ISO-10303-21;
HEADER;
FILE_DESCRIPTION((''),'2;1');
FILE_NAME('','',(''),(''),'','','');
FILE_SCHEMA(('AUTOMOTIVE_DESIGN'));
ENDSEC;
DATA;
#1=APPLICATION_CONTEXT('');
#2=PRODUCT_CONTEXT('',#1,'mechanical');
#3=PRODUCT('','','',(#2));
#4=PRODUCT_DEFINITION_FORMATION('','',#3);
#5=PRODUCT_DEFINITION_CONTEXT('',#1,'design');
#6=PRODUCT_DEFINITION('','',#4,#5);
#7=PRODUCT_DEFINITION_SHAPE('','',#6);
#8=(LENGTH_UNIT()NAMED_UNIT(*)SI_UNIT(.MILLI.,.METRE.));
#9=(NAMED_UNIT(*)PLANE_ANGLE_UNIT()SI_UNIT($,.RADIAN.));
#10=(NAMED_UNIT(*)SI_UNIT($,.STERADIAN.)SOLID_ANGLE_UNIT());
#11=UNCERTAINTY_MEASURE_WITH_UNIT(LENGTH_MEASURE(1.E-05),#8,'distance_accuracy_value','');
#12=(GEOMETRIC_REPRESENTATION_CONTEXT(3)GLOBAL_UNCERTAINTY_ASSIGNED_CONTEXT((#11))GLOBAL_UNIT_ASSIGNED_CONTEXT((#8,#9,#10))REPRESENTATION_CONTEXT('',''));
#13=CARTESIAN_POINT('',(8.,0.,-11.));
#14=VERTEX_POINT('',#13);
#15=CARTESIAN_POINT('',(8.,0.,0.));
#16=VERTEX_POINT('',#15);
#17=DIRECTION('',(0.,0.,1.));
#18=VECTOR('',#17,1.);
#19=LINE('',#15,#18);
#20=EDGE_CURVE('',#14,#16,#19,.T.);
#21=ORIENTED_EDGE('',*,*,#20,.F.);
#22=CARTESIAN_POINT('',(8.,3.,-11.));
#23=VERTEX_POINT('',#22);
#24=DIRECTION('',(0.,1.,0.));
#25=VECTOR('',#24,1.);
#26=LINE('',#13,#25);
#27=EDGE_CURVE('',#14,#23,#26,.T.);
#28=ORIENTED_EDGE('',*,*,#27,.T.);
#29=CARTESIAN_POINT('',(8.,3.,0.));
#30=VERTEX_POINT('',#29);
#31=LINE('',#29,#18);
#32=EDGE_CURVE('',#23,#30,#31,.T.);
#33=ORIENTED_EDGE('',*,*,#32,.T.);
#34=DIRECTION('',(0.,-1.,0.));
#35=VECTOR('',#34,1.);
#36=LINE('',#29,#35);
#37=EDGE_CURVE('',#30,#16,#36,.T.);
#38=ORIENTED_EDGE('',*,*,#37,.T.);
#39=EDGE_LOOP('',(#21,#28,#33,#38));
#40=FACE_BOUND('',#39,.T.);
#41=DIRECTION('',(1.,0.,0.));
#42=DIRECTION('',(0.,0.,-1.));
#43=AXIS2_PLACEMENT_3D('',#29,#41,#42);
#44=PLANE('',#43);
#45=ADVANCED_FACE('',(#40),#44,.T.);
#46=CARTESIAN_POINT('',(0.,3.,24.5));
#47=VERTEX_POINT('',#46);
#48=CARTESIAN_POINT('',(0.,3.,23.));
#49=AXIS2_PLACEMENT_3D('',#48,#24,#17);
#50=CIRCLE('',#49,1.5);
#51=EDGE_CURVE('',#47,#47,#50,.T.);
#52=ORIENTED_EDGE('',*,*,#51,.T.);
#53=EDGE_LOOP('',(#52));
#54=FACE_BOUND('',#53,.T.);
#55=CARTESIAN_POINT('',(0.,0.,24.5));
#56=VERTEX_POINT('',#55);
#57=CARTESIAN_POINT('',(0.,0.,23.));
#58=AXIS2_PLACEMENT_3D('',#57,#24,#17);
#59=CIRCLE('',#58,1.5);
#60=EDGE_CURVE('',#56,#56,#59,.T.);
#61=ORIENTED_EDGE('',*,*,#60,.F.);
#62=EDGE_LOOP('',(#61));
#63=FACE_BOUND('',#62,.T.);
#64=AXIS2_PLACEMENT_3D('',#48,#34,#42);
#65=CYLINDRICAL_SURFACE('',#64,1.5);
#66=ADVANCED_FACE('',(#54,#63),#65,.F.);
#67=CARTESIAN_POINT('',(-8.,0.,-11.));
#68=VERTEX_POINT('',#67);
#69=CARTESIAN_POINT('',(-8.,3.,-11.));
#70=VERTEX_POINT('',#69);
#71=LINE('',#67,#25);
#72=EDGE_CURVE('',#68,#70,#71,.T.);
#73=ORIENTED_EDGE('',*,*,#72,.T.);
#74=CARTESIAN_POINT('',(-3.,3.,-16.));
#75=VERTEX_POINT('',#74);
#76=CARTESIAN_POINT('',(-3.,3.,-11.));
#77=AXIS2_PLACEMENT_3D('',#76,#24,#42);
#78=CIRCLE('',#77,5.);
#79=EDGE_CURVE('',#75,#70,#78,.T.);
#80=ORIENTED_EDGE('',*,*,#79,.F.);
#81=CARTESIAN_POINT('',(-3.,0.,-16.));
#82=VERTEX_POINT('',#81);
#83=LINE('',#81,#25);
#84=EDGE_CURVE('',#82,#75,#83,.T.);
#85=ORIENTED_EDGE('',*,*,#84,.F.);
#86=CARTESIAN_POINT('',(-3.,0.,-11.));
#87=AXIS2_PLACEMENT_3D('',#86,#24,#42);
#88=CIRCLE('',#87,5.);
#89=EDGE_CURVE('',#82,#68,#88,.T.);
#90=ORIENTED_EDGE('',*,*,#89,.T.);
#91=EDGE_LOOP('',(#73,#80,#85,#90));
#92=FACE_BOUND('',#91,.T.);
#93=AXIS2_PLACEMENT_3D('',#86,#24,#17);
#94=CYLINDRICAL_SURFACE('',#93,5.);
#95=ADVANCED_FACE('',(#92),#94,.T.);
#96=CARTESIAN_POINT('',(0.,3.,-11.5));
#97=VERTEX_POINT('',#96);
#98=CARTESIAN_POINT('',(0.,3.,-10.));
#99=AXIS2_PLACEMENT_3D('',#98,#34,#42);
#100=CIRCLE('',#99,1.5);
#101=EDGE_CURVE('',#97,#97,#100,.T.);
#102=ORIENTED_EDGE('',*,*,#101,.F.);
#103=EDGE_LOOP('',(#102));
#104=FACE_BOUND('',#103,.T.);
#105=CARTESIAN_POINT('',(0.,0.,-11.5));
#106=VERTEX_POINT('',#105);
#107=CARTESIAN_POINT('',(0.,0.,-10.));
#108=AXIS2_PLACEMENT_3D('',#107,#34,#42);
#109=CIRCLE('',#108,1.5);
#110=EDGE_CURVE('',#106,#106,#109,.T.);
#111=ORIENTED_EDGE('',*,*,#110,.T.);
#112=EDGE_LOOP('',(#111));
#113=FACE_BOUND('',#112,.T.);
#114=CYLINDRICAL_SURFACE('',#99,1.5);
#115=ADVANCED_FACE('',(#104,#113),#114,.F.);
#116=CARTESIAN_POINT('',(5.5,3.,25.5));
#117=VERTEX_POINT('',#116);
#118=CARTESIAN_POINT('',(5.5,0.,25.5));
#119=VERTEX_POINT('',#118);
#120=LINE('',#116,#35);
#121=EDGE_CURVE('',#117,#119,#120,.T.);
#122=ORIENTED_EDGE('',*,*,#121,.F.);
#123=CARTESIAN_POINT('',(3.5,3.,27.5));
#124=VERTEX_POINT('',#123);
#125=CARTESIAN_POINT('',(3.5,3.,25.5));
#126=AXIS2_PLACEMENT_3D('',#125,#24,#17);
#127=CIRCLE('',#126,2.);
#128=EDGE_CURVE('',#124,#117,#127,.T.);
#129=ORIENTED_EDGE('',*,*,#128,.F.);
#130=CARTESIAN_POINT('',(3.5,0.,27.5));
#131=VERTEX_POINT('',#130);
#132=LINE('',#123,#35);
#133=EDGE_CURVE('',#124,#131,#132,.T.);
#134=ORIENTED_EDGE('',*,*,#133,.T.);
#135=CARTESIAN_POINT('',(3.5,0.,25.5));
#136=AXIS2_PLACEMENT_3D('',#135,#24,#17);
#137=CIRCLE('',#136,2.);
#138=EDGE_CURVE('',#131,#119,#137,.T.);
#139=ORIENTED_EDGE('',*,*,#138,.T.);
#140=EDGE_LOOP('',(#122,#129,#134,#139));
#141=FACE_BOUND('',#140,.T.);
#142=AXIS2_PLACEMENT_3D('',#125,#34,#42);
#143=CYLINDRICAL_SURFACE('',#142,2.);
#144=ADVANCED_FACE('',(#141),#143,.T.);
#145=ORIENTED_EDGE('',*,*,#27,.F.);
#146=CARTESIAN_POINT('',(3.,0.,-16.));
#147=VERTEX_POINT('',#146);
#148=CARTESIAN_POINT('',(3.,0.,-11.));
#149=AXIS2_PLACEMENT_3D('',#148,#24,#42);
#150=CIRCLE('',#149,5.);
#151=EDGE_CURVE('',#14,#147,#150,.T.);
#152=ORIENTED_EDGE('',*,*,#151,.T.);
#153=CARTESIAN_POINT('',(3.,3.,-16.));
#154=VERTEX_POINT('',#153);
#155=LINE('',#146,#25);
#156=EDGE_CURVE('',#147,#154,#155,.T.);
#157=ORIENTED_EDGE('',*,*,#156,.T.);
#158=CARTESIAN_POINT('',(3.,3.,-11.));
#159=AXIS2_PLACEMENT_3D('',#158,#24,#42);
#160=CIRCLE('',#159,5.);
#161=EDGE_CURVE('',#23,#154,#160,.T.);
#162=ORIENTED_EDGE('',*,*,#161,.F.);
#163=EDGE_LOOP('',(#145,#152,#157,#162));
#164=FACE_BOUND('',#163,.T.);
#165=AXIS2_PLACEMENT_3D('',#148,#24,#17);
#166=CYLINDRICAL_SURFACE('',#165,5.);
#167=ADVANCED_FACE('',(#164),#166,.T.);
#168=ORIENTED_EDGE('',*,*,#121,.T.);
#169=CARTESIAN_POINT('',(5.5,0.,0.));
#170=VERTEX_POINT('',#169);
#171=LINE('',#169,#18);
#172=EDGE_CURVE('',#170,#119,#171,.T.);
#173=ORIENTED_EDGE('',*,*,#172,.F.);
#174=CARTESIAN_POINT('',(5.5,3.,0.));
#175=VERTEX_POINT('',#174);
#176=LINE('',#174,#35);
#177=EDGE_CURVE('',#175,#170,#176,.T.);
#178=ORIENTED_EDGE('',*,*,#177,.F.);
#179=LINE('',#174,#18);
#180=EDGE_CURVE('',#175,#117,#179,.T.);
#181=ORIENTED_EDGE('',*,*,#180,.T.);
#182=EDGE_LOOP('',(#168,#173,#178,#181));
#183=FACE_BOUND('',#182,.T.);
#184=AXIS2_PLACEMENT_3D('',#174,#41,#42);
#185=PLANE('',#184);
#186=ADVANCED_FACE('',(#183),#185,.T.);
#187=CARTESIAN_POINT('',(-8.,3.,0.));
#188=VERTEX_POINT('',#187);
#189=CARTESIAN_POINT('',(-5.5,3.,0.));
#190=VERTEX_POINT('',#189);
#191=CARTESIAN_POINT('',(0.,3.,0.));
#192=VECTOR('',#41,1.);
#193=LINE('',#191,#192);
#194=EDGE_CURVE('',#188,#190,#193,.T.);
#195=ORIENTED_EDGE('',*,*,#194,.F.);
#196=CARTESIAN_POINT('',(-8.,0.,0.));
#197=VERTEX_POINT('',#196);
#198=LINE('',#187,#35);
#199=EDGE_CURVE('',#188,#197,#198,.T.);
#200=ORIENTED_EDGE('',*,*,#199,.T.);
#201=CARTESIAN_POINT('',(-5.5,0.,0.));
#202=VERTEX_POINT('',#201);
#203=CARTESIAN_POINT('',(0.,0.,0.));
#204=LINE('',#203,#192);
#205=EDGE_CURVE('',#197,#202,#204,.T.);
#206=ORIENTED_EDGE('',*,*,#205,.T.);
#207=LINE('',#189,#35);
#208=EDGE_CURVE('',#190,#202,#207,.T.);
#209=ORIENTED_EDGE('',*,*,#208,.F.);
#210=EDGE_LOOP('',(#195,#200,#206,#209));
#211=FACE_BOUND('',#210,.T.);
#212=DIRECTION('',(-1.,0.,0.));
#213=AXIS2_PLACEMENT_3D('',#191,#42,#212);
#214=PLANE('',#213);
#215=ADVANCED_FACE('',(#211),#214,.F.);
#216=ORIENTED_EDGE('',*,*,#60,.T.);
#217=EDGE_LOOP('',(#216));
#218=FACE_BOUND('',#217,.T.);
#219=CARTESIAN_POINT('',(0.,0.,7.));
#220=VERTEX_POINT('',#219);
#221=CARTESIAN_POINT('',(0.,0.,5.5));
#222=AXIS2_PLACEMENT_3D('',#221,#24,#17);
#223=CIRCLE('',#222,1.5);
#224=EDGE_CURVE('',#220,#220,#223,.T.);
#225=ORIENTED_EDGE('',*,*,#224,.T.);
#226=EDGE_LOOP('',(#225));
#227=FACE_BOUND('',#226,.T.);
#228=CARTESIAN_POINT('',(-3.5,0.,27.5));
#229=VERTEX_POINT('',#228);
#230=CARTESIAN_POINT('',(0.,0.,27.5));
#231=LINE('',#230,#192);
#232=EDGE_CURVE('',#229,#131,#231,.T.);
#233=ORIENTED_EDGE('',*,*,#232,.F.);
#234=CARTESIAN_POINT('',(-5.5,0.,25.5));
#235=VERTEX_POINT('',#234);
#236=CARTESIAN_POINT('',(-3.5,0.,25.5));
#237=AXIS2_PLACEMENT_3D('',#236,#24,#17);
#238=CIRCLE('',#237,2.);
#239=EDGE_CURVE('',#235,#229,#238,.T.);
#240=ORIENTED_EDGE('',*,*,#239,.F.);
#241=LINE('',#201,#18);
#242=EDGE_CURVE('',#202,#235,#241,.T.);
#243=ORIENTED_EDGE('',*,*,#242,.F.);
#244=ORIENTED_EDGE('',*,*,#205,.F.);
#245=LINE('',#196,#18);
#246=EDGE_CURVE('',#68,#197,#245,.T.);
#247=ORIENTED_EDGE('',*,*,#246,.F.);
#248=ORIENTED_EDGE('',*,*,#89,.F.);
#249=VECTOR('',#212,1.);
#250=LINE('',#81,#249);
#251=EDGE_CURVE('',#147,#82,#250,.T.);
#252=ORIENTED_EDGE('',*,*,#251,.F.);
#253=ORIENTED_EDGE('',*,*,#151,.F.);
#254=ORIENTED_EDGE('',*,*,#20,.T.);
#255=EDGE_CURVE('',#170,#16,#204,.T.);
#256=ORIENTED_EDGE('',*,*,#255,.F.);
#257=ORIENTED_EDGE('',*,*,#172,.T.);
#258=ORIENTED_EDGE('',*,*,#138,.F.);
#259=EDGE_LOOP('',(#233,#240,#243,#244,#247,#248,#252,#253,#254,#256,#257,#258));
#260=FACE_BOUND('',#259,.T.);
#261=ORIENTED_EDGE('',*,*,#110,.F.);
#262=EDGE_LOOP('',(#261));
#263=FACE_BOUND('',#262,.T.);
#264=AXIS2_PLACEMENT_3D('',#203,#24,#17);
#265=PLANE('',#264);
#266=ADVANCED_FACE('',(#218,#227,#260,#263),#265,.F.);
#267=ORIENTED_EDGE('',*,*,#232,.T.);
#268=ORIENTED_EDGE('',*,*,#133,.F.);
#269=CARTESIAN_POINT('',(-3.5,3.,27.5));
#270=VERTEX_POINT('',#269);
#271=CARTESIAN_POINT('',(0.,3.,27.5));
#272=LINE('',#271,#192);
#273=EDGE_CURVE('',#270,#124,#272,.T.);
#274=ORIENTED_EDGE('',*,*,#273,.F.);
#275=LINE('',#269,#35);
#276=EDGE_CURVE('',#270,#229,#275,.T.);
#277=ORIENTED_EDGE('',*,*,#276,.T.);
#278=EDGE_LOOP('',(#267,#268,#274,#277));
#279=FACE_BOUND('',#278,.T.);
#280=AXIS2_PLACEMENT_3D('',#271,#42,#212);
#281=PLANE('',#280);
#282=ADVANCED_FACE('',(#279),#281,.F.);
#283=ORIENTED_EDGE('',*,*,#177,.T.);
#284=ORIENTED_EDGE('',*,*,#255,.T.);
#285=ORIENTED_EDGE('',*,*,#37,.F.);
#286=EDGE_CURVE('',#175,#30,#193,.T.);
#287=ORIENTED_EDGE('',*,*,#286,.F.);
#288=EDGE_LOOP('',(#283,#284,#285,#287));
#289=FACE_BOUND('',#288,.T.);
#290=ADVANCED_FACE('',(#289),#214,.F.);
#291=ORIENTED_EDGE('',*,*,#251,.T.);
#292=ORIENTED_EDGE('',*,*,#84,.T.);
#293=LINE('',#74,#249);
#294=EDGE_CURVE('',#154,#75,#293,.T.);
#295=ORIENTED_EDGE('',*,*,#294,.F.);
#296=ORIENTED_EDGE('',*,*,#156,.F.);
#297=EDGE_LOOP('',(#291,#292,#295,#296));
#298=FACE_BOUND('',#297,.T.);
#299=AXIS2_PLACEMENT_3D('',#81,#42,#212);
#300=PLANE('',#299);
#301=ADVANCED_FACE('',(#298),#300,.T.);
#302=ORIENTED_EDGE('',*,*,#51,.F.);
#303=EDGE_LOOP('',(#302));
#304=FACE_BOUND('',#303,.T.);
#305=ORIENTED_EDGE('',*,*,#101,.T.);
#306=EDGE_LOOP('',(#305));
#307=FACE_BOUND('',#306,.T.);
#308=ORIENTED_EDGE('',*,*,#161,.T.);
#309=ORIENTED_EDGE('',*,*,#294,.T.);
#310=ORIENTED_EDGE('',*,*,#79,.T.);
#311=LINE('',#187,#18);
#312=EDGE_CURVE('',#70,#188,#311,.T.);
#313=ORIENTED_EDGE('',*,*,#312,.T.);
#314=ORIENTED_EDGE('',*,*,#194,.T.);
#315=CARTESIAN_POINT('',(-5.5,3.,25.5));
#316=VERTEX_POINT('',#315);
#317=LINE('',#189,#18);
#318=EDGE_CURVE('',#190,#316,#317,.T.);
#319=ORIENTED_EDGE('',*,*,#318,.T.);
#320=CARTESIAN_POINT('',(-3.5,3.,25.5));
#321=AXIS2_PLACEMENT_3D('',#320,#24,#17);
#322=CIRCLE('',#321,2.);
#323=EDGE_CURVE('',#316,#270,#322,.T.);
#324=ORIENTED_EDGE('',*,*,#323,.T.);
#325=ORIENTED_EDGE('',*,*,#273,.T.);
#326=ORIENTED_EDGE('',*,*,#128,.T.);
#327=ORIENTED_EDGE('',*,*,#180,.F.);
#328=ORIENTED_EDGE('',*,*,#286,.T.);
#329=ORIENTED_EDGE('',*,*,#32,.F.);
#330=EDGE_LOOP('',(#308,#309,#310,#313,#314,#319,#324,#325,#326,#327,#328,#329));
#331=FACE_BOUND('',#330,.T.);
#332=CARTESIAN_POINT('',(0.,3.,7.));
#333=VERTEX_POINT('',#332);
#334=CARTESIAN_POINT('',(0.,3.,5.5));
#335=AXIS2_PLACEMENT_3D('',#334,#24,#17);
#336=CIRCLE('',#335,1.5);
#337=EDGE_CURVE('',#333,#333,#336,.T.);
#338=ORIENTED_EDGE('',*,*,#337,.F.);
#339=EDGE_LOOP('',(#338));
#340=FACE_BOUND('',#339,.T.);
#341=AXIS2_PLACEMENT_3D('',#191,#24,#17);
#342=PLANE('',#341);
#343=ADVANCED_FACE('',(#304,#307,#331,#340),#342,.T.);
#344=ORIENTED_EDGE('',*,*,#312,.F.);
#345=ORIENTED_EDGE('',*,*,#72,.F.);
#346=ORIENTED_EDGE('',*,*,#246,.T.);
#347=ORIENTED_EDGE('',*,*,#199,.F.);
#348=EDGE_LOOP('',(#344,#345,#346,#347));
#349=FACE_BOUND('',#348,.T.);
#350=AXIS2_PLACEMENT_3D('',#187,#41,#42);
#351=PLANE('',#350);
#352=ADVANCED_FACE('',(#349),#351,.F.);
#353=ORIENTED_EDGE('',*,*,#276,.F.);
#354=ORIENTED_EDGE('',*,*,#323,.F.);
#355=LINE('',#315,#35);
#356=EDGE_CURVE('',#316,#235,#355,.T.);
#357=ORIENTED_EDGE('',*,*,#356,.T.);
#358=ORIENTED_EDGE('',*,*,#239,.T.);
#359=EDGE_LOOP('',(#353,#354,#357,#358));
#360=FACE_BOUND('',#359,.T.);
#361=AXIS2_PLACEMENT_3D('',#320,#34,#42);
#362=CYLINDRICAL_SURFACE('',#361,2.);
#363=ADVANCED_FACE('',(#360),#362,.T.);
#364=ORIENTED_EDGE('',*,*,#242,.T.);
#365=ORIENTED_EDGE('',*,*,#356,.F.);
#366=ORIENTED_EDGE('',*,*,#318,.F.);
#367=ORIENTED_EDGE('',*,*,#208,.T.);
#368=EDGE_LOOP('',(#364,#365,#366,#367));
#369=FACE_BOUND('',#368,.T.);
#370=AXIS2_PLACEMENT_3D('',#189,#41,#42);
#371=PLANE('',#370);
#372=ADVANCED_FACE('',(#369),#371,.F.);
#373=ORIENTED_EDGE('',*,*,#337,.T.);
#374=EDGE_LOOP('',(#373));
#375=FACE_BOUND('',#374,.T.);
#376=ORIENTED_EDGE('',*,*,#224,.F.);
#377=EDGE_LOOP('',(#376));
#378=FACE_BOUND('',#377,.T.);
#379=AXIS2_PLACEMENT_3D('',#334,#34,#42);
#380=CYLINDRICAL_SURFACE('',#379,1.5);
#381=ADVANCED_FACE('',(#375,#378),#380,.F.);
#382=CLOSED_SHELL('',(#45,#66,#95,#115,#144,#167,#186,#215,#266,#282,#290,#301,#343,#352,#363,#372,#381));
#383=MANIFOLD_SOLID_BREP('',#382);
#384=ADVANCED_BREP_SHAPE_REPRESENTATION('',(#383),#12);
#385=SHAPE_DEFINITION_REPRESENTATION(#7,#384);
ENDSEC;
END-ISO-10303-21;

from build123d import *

# Parameters (mm, degrees)
SKETCH3_R           = 1.5
BOSS_EXTRUDE1_DEPTH = 3
BOSS_EXTRUDE2_DEPTH = 3
SKETCH5_R           = 1.5
CUT_EXTRUDE1_DEPTH  = 3


with BuildPart() as part:
    # Sketch3 → Boss-Extrude1 (new body)
    # profile 1 of 2: a face of its own
    with BuildSketch(Plane(origin=(0, 0, 0), x_dir=(1, 0, 0), z_dir=(0, 1, 0))):
        with BuildLine():
            Line((-6, 5), (6, 5))
            ThreePointArc((6, 5), (7.414213562, 4.414213562), (8, 3))
            Line((8, 3), (8, 0))
            Line((8, 0), (-8, 0))
            Line((-8, 0), (-8, 3))
            ThreePointArc((-8, 3), (-7.414213562, 4.414213562), (-6, 5))
        make_face()
    # profile 2 of 2: a face of its own
    with BuildSketch(Plane(origin=(0, 0, 0), x_dir=(1, 0, 0), z_dir=(0, 1, 0))):
        with BuildLine():
            Line((-5.5, 0), (5.5, 0))
            Line((5.5, 0), (5.5, -25.5))
            ThreePointArc((5.5, -25.5), (4.914213562, -26.914213562), (3.5, -27.5))
            Line((3.5, -27.5), (-3.5, -27.5))
            ThreePointArc((-3.5, -27.5), (-4.914213562, -26.914213562), (-5.5, -25.5))
            Line((-5.5, -25.5), (-5.5, 0))
        make_face()
        with Locations(Location((0, -5.5, 0), (0, 0, 270))):
            Circle(SKETCH3_R, mode=Mode.SUBTRACT)
        with Locations(Location((0, -23, 0), (0, 0, 270))):
            Circle(SKETCH3_R, mode=Mode.SUBTRACT)
    extrude(amount=BOSS_EXTRUDE1_DEPTH)

    # Sketch4 → Boss-Extrude2 (add)
    with BuildSketch(Plane(origin=(0, 3, 0), x_dir=(1, 0, 0), z_dir=(0, 1, 0))):
        with BuildLine():
            Line((-8, 0), (8, 0))
            Line((8, 0), (8, 11))
            ThreePointArc((8, 11), (6.535533906, 14.535533906), (3, 16))
            Line((3, 16), (-3, 16))
            ThreePointArc((-3, 16), (-6.535533906, 14.535533906), (-8, 11))
            Line((-8, 11), (-8, 0))
        make_face()
    extrude(amount=-BOSS_EXTRUDE2_DEPTH)

    # Sketch5 → Cut-Extrude1 (cut)
    with BuildSketch(Plane(origin=(0, 0, 0), x_dir=(-1, 0, 0), z_dir=(0, -1, 0))):
        with Locations(Location((0, 10, 0), (0, 0, 90))):
            Circle(SKETCH5_R)
    extrude(amount=-CUT_EXTRUDE1_DEPTH, mode=Mode.SUBTRACT)


solid = part.part
